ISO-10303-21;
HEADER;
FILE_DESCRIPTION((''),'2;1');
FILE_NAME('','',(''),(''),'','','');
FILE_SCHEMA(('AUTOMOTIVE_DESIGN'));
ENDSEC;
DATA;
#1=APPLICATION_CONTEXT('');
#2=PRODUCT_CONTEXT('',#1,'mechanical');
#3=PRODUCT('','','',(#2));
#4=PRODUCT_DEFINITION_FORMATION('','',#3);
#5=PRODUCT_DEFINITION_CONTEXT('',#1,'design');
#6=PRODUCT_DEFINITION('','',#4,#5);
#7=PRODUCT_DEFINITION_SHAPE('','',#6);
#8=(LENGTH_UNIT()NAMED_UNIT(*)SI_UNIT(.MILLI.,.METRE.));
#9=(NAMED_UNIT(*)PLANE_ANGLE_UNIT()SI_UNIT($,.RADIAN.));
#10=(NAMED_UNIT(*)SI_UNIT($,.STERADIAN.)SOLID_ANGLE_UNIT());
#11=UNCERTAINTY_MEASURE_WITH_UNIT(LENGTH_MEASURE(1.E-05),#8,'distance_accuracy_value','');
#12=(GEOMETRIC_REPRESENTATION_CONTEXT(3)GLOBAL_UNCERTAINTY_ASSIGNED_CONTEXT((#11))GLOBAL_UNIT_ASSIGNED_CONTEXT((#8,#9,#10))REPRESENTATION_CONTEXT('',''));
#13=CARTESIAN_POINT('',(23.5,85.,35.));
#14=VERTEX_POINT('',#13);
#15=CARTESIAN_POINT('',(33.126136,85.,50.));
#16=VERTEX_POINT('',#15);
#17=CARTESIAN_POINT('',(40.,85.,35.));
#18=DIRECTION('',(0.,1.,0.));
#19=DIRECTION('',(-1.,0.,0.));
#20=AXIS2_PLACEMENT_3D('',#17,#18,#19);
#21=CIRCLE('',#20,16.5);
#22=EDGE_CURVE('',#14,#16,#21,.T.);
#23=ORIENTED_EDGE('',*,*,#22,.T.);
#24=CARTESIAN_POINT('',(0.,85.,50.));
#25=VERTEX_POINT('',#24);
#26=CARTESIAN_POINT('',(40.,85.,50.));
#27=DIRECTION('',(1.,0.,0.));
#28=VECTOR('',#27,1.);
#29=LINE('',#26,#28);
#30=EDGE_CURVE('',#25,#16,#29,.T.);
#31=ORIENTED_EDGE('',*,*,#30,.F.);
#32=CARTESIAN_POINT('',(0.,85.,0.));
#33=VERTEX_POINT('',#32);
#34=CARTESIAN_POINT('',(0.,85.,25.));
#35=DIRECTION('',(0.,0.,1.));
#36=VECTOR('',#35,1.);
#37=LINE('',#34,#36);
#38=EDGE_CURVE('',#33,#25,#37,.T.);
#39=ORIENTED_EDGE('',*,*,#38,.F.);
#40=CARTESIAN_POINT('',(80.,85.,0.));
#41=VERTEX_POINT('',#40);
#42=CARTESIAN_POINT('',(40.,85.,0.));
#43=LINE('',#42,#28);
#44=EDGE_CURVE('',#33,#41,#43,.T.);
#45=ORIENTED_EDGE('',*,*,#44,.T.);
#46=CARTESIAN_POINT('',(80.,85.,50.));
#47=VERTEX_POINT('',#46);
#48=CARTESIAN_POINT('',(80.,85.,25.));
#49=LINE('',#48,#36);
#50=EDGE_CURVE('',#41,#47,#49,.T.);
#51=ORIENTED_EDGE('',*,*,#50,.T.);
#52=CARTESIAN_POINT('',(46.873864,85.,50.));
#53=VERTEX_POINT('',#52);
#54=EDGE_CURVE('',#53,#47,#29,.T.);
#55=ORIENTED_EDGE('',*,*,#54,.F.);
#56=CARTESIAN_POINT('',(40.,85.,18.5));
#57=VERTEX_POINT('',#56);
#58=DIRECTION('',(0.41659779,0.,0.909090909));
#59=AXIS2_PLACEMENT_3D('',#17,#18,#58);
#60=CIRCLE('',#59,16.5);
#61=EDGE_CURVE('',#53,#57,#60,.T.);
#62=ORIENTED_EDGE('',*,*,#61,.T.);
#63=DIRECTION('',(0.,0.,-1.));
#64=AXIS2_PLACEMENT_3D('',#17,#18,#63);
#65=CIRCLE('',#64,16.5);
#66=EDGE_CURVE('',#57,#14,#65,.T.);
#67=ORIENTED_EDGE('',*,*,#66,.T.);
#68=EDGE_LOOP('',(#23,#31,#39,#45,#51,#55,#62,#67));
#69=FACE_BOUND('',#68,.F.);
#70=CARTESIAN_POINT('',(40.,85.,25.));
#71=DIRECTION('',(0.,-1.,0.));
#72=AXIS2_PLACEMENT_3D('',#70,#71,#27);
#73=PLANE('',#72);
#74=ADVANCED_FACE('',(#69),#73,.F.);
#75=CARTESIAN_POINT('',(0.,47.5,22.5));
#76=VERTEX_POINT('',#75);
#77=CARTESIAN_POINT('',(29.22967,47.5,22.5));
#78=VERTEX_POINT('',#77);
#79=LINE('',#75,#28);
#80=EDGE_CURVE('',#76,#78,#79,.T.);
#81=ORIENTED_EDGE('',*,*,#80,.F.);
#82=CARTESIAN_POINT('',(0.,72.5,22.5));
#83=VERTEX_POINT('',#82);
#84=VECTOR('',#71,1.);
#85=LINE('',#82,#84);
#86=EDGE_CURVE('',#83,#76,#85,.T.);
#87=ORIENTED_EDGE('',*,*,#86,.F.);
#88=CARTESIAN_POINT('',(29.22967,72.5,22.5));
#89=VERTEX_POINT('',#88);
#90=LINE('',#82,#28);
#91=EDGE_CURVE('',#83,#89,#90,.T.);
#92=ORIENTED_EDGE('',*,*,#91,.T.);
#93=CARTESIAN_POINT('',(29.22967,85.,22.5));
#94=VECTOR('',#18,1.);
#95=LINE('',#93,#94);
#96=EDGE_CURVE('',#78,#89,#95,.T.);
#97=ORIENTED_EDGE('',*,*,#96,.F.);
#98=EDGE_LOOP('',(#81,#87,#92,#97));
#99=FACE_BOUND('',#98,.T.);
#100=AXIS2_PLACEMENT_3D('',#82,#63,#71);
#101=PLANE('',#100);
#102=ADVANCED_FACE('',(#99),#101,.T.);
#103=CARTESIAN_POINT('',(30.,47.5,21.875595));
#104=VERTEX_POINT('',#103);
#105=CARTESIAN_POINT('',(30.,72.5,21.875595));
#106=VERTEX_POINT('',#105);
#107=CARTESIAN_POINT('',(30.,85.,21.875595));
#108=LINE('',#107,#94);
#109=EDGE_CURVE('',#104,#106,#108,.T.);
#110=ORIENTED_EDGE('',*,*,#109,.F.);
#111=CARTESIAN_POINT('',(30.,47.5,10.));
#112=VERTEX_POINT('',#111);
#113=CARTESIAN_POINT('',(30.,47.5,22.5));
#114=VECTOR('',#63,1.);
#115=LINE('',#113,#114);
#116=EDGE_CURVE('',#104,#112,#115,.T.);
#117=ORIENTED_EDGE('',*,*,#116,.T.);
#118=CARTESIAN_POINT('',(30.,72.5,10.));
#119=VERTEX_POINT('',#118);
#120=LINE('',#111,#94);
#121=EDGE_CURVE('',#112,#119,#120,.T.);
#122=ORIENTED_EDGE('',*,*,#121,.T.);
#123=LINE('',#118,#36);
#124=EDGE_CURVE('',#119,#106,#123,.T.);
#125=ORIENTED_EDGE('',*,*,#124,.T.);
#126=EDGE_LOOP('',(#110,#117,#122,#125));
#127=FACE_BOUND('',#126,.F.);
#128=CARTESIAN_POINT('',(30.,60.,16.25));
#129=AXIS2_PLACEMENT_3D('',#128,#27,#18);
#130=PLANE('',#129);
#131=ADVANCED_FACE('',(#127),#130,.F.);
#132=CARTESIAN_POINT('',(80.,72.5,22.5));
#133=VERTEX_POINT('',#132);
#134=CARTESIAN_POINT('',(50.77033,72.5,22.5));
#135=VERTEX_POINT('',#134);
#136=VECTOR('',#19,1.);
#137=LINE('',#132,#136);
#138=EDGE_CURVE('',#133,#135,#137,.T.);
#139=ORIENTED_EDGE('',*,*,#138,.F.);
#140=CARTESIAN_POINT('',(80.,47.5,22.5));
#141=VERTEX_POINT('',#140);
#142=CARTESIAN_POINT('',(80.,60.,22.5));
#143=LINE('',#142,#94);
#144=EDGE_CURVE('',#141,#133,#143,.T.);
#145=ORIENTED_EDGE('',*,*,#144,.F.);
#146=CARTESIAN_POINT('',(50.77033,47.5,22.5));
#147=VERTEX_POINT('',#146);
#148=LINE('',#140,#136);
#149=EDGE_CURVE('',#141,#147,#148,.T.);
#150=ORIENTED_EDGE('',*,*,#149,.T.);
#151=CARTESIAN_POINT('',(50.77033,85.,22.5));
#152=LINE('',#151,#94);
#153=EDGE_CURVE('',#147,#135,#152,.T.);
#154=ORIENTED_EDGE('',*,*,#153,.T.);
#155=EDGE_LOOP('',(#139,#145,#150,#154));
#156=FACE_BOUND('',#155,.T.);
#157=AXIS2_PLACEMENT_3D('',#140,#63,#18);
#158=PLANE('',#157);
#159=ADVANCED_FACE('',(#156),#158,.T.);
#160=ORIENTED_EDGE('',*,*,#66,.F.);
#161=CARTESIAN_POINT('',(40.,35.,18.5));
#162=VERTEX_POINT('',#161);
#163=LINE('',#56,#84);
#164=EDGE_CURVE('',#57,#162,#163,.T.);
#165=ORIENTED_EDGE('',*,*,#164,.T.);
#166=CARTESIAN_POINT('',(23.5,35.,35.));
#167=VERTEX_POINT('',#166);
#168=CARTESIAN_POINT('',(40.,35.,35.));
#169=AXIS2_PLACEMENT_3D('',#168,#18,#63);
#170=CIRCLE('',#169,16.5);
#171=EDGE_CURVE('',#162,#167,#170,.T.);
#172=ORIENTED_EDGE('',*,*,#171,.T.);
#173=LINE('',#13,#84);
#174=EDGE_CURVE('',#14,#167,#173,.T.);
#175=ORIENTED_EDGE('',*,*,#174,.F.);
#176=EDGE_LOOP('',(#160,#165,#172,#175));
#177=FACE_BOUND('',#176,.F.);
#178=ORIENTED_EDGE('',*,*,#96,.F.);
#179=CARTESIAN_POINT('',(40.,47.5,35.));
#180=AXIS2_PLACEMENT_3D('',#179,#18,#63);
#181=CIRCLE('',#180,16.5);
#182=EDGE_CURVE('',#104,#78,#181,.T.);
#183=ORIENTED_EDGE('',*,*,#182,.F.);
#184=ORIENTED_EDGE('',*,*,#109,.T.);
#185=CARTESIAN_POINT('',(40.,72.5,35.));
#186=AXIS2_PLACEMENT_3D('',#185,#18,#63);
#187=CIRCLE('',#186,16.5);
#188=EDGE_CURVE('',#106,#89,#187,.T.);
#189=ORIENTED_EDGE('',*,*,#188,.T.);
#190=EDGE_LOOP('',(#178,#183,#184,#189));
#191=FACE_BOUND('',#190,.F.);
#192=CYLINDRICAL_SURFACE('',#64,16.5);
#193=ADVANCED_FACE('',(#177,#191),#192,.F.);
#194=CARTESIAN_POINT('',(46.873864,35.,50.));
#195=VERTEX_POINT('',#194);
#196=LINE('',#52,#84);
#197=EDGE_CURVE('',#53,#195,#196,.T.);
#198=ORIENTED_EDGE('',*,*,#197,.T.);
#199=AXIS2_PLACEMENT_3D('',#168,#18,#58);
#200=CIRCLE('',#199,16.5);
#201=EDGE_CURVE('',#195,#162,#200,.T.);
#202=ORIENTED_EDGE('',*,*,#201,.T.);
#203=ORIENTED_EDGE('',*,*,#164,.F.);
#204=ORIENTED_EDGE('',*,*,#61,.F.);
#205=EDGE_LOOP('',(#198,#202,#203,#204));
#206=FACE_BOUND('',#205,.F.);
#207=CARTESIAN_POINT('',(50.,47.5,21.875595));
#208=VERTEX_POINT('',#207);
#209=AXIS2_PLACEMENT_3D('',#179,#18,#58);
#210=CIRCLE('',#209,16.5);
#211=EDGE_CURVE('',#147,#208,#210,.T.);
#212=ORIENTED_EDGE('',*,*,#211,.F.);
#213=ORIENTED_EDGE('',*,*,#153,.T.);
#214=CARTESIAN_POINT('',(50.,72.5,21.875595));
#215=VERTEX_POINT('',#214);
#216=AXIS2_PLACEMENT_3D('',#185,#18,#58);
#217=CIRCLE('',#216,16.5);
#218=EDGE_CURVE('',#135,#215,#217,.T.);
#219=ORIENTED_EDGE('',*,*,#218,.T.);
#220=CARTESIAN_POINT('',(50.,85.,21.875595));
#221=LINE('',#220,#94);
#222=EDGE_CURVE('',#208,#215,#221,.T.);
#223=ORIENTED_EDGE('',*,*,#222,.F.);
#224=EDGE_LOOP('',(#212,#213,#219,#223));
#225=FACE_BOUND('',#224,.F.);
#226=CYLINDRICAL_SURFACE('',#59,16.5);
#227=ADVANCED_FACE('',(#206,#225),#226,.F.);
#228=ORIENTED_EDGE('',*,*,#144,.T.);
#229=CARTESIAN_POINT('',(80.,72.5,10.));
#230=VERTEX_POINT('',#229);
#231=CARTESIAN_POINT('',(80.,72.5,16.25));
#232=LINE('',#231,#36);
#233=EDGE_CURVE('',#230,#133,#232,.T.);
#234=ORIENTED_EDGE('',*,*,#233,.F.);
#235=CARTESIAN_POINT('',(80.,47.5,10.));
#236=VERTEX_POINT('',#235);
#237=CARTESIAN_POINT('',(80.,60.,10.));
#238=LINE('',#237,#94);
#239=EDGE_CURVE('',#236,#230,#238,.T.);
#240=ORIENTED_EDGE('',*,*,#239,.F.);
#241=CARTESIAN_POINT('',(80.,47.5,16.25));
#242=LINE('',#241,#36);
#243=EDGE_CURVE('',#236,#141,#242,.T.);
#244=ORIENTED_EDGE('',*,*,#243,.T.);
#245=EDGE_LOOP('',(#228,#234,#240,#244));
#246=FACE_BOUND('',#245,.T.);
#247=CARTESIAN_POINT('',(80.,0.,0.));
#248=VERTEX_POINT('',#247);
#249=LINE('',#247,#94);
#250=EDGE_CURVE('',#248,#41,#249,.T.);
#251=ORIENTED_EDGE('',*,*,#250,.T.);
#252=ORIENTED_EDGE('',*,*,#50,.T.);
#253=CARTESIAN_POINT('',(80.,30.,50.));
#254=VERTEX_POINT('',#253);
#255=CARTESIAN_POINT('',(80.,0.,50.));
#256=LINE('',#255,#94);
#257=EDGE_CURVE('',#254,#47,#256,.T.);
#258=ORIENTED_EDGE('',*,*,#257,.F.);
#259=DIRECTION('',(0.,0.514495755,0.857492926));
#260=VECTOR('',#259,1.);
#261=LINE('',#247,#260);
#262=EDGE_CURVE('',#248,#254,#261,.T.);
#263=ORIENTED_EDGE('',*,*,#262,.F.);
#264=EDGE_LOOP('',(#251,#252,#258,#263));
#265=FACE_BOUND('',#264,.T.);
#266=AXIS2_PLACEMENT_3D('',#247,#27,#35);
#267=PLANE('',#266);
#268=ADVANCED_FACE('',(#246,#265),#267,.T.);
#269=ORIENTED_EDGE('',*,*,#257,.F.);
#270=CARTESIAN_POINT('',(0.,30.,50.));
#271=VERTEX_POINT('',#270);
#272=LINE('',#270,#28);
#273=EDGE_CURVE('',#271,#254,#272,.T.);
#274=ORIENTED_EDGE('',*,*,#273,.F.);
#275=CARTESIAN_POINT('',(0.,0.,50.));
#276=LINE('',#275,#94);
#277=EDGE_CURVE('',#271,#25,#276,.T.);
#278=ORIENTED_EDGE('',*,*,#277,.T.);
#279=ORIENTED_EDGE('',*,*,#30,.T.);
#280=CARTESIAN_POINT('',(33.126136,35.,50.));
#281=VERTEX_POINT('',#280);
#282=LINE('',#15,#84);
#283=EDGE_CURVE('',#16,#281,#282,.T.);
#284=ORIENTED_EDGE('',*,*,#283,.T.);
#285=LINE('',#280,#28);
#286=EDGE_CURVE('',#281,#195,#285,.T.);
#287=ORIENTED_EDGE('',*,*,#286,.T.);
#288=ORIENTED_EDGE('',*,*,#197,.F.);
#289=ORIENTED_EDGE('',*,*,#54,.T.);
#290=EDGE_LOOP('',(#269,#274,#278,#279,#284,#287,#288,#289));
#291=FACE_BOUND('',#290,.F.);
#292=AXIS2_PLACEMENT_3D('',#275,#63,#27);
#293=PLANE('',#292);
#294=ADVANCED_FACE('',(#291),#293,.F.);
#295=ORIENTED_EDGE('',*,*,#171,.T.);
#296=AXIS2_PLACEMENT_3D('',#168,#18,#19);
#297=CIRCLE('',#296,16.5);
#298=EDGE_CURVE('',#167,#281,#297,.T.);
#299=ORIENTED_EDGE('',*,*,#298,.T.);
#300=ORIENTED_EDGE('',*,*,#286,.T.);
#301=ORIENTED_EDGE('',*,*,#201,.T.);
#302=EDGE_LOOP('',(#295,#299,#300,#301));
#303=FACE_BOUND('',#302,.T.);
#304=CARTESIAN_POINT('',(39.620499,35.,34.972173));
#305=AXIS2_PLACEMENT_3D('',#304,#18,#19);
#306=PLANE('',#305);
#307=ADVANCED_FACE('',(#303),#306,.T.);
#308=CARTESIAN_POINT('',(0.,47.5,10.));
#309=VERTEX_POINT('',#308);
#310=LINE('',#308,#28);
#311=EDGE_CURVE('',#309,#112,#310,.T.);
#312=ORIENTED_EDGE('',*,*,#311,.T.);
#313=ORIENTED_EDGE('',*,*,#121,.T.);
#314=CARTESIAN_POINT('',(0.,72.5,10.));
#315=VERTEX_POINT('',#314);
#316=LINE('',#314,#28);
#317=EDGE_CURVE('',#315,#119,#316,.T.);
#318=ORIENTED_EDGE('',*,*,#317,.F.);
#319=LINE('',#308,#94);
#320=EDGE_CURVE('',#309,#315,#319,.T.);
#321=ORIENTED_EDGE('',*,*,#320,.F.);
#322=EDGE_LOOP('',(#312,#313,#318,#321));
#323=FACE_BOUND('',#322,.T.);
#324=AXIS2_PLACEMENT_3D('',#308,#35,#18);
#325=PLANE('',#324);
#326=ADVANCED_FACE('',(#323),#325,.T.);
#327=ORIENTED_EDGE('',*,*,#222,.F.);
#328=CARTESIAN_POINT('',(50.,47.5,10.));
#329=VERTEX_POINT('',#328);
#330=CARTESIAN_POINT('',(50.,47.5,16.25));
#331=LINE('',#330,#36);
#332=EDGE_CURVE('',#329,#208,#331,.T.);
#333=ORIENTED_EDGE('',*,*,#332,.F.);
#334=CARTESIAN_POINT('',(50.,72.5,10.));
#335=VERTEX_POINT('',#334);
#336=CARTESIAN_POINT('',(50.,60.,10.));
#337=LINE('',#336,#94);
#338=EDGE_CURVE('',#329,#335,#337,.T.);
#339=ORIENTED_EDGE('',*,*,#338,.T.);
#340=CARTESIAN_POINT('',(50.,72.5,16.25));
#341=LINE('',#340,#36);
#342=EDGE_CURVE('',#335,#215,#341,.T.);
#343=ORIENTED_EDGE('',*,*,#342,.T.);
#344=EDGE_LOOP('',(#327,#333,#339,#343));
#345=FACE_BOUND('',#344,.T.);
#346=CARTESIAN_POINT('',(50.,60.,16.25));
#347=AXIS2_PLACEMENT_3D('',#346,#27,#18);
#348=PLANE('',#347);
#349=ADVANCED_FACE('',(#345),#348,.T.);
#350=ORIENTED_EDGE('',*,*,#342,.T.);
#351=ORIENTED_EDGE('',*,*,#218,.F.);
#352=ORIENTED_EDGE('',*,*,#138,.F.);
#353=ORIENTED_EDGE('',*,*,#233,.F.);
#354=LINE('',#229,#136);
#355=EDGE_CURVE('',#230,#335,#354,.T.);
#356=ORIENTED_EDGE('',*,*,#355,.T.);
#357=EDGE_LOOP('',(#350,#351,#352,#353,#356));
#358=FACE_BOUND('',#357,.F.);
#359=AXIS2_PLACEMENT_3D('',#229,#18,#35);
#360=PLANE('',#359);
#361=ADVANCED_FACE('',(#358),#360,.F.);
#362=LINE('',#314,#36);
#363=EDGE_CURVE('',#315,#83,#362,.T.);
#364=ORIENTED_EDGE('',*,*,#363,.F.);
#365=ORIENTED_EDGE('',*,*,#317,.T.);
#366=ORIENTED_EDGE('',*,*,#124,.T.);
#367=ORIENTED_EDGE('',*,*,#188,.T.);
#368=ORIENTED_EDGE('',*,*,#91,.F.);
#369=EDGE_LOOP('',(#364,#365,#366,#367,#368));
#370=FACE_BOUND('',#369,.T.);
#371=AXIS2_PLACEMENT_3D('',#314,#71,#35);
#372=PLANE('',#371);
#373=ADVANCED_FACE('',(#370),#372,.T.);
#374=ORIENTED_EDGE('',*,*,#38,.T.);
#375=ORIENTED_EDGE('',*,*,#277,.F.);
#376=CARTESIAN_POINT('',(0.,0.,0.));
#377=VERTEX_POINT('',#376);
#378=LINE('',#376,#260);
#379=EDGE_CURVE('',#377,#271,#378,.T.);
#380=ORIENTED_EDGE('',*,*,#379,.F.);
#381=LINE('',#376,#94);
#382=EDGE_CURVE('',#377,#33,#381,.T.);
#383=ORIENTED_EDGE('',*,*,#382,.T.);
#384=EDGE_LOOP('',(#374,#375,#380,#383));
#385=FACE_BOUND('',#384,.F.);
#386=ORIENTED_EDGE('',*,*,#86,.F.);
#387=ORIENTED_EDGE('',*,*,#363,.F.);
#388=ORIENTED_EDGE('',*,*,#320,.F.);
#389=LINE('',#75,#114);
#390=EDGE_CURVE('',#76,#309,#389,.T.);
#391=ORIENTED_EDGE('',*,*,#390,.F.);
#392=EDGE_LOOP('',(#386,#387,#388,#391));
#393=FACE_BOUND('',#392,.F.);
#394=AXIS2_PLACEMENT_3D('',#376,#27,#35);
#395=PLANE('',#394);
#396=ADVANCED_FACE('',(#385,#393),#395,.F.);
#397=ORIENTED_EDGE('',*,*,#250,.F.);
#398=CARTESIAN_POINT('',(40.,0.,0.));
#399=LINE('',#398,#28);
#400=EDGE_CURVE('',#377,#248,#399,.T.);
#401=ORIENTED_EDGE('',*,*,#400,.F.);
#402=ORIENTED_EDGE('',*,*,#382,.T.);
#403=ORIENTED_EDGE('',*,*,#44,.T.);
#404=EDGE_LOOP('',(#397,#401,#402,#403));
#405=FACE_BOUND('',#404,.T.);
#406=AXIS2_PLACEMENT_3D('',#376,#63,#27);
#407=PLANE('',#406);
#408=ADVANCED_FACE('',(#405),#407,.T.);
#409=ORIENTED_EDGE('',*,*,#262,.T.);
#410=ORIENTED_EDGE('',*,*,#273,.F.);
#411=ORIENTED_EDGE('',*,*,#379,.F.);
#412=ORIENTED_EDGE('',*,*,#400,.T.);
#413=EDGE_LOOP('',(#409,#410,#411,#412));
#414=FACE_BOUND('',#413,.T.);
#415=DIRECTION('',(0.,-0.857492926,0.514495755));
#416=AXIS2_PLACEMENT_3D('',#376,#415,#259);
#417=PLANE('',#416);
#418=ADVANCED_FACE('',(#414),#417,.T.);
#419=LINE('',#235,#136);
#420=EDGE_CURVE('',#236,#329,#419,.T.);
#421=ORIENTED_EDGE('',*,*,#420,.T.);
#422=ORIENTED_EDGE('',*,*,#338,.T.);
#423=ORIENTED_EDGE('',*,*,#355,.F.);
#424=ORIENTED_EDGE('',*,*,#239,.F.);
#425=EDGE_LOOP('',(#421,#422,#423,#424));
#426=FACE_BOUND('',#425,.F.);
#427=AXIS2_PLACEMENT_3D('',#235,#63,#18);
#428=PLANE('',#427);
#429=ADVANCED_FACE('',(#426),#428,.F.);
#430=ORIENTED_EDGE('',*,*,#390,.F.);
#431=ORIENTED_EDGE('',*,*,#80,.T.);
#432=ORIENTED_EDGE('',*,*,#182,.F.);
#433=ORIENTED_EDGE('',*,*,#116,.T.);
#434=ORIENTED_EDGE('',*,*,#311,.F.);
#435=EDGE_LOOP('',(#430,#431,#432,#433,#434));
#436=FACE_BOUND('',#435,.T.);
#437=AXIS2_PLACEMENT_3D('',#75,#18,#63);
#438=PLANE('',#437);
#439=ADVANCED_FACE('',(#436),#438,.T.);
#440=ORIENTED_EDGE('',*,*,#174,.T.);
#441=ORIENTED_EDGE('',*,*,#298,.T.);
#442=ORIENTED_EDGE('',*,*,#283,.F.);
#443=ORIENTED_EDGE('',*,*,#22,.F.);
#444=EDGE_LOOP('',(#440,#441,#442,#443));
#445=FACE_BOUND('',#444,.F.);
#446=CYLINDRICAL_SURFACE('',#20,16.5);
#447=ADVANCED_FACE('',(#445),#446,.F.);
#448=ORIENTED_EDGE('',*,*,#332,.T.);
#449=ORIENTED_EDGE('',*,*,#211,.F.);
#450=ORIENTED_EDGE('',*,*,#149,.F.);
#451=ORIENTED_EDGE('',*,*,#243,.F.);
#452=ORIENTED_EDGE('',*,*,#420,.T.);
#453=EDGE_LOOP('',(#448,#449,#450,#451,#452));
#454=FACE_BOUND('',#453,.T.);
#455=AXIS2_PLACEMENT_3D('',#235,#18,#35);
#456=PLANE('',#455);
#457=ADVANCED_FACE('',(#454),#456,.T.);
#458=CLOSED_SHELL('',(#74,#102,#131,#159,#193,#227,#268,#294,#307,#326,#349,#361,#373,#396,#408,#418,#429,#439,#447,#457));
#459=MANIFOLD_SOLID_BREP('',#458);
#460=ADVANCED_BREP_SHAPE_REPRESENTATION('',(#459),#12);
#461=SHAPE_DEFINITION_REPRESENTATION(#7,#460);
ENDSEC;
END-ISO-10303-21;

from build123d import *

# Parameters (mm, degrees)
F0_W     = 80
F0_H     = 50
F1_DEPTH = 85
F3_DEPTH = 30
F5_W     = 25
F5_H     = 12.5
F6_DEPTH = 30
F7_DEPTH = 80
F9_DEPTH = 50


with BuildPart() as f1:
    # F0 (on Front) → F1 (new body)
    with BuildSketch(Plane.XZ):
        with Locations((40, 25)):
            Rectangle(F0_W, F0_H)
    extrude(amount=-F1_DEPTH)

    # F2 (on Right) → F3 (cut)
    with BuildSketch(Plane.YZ):
        Polygon((47.5, 10), (55, 10), (72.5, 10), (72.5, 22.5), (47.5, 22.5), align=None)
    extrude(amount=F3_DEPTH, mode=Mode.SUBTRACT)

    # F5 (on offset) → F6 (cut)
    with BuildSketch(Plane.YZ.offset(80)):
        with Locations((60, 16.25)):
            Rectangle(F5_W, F5_H)
    extrude(amount=-F6_DEPTH, mode=Mode.SUBTRACT)

    # F2 (on Right) → F7 (cut)
    with BuildSketch(Plane.YZ):
        Polygon((0, 30), (0, 0), (30, 50), (0, 50), align=None)
    extrude(amount=F7_DEPTH, mode=Mode.SUBTRACT)

    # F8 (on face) → F9 (cut)
    with BuildSketch(Plane(origin=(0, 85, 0), x_dir=(-1, 0, 0), z_dir=(0, 1, 0))):
        with BuildLine():
            ThreePointArc((-46.8738635424, 50), (-56.1206389452, 31.4821881801), (-40, 18.5))
            ThreePointArc((-40, 18.5), (-28.3327381104, 23.3327381104), (-23.5, 35))
            ThreePointArc((-23.5, 35), (-26.1135182921, 43.9115445224), (-33.1261364576, 50))
            Line((-33.1261364576, 50), (-46.8738635424, 50))
        make_face()
    extrude(amount=-F9_DEPTH, mode=Mode.SUBTRACT)


solid = f1.part
